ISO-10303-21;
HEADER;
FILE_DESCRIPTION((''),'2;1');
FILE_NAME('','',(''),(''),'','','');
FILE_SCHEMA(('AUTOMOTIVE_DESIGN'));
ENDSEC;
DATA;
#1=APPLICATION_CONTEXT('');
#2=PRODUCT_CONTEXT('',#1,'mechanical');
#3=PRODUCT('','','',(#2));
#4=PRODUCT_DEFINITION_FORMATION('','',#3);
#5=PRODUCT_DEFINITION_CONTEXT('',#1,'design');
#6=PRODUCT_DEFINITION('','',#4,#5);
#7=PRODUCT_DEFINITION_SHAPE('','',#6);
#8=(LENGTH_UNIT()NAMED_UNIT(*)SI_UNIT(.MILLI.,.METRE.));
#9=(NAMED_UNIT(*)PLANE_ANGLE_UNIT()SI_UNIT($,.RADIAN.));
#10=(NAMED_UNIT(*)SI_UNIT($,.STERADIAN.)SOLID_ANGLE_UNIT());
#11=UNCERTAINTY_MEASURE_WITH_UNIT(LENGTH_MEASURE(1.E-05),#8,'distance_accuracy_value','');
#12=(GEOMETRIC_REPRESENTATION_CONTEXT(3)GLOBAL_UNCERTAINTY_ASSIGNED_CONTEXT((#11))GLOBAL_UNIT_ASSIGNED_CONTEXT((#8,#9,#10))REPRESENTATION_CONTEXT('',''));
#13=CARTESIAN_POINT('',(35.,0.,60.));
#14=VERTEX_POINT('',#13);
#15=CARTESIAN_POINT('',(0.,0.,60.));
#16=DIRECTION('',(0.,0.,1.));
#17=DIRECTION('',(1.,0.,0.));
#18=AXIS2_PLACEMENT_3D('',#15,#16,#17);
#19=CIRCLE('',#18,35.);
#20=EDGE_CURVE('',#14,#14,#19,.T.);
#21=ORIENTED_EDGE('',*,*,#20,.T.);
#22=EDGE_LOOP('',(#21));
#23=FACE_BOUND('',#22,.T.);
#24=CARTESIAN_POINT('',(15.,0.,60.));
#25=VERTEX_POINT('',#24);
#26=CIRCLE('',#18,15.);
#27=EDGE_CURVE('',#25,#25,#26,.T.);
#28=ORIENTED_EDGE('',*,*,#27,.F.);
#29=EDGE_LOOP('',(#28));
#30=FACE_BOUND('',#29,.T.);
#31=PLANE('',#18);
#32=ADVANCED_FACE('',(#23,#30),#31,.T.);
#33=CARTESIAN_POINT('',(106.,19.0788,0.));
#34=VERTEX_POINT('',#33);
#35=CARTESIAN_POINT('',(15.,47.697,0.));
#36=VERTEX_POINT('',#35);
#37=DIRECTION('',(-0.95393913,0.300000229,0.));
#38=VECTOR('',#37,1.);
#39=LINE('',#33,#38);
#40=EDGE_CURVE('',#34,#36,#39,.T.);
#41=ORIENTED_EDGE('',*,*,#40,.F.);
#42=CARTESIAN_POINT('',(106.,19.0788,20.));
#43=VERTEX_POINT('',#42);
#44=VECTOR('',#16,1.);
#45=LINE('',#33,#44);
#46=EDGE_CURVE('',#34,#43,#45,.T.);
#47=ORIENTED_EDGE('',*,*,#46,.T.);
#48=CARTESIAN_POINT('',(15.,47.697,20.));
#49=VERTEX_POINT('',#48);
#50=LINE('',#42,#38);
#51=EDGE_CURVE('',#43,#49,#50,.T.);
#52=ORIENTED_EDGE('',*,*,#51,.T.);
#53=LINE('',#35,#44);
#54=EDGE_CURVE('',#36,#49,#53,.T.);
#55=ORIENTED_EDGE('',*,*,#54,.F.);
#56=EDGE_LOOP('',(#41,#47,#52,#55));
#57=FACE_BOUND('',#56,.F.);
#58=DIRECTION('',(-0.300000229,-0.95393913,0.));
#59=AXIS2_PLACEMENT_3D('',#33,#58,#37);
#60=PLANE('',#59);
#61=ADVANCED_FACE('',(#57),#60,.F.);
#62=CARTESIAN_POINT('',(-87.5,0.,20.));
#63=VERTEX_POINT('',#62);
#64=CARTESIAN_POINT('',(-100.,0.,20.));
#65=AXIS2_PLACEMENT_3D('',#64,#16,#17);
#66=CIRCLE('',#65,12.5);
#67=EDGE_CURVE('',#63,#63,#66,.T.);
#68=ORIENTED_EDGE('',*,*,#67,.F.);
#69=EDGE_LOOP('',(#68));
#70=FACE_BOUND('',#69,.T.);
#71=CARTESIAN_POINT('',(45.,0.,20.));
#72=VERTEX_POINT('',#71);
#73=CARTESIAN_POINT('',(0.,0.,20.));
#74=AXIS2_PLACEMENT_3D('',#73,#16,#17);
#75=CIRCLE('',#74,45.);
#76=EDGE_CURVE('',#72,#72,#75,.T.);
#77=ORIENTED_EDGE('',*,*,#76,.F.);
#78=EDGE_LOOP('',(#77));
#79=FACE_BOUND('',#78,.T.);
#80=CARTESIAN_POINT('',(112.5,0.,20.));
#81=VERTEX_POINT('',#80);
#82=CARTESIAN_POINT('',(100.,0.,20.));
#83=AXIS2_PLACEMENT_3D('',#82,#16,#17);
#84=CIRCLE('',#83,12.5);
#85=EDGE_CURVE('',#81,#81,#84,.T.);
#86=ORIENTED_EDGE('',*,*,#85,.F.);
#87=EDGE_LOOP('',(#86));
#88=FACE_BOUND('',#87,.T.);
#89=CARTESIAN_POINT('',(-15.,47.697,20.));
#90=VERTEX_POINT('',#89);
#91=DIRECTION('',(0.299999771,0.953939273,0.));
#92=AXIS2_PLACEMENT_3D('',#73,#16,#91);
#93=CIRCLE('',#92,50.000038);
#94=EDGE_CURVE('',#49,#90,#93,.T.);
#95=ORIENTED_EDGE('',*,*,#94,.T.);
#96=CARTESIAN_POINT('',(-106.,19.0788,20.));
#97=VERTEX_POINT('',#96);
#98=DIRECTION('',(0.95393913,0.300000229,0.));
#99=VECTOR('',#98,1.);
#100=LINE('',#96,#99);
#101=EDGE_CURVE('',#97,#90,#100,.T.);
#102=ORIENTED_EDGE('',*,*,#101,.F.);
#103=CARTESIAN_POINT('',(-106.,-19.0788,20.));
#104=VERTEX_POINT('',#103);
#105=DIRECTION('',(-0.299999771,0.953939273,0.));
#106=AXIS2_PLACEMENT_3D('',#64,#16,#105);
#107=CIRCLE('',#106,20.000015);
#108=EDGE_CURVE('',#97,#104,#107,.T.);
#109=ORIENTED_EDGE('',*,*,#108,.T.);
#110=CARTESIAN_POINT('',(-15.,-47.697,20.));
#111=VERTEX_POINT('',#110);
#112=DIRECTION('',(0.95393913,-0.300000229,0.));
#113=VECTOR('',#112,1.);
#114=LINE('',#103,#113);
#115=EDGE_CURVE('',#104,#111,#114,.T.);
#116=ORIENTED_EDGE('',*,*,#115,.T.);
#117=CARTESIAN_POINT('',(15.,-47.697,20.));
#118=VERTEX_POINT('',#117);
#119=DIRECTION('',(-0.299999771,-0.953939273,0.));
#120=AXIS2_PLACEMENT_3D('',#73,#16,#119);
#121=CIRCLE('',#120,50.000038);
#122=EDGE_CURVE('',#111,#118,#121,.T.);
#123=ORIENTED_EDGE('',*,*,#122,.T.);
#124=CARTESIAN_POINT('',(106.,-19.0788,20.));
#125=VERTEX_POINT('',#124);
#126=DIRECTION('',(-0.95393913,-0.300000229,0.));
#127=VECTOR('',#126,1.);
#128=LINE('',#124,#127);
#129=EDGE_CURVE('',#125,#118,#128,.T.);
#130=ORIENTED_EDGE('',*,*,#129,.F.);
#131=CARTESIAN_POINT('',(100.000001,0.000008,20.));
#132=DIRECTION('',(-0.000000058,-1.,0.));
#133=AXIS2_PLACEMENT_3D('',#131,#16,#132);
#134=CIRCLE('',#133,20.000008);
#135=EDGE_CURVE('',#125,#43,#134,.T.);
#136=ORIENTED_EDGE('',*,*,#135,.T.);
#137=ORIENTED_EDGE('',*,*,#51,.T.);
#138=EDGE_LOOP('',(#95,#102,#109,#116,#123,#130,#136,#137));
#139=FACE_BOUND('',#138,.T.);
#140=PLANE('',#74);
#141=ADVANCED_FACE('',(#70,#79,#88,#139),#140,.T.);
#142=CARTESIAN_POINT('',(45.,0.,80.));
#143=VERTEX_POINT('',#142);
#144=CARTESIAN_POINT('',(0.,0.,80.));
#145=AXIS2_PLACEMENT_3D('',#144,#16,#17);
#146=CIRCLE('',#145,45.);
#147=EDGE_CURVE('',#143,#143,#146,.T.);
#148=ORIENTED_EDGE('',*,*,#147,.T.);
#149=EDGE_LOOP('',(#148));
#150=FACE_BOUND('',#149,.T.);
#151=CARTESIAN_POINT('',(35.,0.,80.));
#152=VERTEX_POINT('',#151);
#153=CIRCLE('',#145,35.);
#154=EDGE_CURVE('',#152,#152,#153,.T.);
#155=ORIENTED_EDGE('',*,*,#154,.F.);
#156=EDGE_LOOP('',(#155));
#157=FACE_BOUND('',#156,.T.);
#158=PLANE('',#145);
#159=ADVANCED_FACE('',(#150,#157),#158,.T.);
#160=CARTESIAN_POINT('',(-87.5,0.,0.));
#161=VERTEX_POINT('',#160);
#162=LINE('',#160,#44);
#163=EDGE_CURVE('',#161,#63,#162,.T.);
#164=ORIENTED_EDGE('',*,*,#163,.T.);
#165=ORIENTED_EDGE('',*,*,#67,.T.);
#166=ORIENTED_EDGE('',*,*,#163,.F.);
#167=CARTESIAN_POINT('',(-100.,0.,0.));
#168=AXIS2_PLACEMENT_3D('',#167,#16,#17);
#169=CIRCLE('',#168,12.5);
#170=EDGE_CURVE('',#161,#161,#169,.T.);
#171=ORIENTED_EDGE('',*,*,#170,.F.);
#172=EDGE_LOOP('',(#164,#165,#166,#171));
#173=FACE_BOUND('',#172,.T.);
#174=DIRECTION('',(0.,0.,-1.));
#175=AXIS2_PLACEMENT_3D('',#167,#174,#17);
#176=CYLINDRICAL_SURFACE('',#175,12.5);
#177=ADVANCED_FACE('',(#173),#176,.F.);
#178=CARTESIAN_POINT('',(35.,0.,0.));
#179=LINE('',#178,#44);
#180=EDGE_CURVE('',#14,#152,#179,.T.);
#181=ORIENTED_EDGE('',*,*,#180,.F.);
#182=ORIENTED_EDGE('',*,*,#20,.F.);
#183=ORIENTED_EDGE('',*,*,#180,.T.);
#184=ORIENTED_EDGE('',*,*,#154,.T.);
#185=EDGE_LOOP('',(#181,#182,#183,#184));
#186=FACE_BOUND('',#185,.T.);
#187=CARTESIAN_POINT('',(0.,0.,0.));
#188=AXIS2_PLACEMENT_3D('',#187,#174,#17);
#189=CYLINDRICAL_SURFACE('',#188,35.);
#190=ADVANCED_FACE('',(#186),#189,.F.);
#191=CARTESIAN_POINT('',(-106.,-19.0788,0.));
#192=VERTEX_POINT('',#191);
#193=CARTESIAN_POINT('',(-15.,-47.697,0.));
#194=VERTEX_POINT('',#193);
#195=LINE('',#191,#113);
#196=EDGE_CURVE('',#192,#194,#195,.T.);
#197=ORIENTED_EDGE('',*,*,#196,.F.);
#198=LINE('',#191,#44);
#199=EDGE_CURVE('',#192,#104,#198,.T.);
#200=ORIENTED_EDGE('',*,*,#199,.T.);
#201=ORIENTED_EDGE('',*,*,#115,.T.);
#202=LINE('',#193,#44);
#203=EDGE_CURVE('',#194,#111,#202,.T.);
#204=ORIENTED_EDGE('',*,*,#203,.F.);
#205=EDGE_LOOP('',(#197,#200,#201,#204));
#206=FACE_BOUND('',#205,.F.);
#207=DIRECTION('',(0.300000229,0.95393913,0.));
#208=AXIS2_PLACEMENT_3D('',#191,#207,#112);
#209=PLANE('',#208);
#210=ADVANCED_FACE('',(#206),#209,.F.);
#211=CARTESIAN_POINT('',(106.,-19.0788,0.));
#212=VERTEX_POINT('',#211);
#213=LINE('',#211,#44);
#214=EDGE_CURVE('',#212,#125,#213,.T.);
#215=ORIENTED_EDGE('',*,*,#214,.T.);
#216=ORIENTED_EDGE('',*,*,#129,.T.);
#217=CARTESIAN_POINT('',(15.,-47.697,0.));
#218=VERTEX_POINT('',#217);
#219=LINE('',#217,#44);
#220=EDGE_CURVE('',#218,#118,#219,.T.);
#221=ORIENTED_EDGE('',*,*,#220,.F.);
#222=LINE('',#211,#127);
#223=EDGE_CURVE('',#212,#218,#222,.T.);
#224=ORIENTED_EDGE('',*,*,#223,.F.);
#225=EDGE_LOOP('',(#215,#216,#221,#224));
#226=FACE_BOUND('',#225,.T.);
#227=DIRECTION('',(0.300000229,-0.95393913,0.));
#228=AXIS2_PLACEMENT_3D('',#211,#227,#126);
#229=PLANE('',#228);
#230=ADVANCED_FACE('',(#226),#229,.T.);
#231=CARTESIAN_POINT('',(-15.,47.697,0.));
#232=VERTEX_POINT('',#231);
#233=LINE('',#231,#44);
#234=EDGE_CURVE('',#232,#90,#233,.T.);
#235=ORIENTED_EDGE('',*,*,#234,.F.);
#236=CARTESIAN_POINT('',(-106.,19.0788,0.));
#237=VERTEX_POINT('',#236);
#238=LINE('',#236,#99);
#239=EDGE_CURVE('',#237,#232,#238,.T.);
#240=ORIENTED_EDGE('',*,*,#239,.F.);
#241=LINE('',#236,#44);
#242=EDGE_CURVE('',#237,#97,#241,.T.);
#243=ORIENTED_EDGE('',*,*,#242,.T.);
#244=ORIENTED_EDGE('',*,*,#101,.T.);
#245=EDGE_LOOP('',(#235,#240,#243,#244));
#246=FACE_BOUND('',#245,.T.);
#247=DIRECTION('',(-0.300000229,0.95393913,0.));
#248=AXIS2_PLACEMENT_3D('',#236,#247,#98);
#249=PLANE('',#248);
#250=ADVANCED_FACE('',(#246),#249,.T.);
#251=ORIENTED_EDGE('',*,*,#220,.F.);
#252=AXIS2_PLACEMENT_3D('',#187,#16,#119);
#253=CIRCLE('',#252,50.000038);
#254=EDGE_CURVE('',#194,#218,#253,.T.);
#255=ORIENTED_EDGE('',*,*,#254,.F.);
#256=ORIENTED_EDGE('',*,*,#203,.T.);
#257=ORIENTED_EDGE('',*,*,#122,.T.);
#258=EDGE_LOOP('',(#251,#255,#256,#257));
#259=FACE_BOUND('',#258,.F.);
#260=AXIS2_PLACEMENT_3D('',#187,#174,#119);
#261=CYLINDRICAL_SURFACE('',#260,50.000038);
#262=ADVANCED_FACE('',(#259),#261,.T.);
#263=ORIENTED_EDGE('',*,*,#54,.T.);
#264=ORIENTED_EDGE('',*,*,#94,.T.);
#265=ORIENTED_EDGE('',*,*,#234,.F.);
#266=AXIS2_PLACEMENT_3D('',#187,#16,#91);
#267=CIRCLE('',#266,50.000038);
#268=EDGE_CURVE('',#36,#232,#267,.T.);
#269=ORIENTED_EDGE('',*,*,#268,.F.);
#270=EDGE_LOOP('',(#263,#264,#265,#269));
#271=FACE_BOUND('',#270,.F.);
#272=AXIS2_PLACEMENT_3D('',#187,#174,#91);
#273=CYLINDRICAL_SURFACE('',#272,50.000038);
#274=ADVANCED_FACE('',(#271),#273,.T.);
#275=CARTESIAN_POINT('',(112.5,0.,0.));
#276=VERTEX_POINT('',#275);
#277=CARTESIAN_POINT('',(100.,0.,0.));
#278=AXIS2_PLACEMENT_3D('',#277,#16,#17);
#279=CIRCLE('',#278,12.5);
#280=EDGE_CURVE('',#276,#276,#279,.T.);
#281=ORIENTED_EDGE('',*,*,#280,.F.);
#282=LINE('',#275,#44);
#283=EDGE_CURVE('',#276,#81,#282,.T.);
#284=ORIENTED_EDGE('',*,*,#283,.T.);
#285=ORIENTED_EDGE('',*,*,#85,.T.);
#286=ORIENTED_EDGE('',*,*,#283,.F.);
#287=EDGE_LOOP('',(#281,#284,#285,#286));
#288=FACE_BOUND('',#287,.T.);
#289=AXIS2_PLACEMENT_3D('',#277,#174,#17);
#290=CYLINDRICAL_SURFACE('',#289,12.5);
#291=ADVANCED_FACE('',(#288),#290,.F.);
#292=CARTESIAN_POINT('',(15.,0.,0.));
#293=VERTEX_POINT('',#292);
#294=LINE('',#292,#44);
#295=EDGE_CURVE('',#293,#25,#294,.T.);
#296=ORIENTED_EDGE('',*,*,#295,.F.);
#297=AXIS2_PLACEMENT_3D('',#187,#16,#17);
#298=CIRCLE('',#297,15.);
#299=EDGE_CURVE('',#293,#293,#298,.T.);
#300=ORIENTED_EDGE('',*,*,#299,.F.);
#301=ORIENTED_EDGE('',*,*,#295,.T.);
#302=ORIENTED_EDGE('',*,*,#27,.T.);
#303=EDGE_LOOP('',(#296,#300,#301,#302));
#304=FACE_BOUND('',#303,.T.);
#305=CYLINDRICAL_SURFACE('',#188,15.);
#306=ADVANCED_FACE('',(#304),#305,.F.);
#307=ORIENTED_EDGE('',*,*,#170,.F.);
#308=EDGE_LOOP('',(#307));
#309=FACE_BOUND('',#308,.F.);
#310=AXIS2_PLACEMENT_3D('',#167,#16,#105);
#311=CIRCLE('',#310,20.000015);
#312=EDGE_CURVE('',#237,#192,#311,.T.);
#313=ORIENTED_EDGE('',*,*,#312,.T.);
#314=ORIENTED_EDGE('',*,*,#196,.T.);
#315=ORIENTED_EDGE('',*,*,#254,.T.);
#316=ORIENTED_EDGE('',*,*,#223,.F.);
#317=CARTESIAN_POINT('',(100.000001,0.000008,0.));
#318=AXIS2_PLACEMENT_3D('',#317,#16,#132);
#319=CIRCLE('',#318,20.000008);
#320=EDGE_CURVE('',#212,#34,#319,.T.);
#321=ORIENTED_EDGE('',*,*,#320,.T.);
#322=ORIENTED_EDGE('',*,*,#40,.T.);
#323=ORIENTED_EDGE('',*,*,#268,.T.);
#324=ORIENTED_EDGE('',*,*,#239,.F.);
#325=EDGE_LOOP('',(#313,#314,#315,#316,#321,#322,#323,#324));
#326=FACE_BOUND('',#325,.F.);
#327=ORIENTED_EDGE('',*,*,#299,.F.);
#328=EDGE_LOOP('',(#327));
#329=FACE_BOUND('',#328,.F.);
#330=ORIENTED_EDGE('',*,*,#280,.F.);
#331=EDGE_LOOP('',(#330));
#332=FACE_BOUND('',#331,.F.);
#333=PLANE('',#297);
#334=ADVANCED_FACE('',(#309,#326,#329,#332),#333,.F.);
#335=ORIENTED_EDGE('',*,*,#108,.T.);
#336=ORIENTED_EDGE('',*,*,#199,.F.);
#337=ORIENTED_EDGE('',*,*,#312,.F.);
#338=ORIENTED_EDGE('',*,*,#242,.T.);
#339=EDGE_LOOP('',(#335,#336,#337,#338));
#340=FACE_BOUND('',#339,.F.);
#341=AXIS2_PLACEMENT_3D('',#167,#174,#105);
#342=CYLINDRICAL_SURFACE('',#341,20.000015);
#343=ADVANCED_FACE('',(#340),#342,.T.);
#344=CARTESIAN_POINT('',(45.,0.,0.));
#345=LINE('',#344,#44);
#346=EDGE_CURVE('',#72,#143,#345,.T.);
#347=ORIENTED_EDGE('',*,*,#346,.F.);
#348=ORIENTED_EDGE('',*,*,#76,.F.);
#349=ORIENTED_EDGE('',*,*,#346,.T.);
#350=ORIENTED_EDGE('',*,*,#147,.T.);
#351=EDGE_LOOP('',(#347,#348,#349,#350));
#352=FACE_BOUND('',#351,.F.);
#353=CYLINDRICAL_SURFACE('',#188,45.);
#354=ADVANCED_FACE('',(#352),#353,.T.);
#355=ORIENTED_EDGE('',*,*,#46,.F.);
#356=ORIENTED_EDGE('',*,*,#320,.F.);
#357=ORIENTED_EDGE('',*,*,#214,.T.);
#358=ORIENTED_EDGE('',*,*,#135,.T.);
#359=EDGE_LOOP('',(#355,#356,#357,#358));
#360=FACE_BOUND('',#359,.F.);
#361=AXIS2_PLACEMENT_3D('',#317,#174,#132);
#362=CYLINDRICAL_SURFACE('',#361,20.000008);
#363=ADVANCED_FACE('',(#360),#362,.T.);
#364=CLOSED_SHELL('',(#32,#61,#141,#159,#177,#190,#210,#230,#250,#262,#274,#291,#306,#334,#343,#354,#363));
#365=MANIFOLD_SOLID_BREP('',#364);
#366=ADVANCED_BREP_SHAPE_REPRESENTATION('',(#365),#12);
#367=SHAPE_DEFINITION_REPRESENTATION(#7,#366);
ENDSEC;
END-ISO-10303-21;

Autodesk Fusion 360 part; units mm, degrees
sketch "Sketch1" plane through (0, 0, 0) normal (0, 0, 1) x (1, 0, 0)
  circle A0 centre (0, 0) radius 15
  circle A1 centre (0, 0) radius 35
  circle A2 centre (0, 0) radius 45
  line L0 (-100, -20.9657) -> (-100, -80.0578) construction
  circle A3 centre (-100, 0) radius 12.5
  circle A4 centre (100, 0) radius 12.5
  line L1 (-106, 19.0788) -> (-15, 47.697)
  arc A5 (-106, 19.0788) -> (-106, -19.0788) centre (-100, 0) ccw
  line L2 (-106, -19.0788) -> (-15, -47.697)
  line L3 (106, 19.0788) -> (15, 47.697)
  line L4 (106, -19.0788) -> (15, -47.697)
  arc A6 (-15, -47.697) -> (15, -47.697) centre (0, 0) ccw
  arc A7 (15, 47.697) -> (-15, 47.697) centre (0, 0) ccw
  line L5 (100, -15) -> (100, -80.0578) construction
  line L6 (-100, 50) -> (-100, 80.9539) construction
  arc A8 (100, -20) -> (106, 19.0788) centre (100, 0) ccw
  dimension "d1" = 30
  dimension "d2" = 70
  dimension "d3" = 90
  dimension "d4" = 100
  dimension "d7" = 25
  dimension "d8" = 40
extrude "Extrude1" add sketch "Sketch1" along normal blind 20 contours L1 A5 L2 L3 L4 A6 A7 A8
extrude "Extrude2" add sketch "Sketch1" along normal blind 80 contours A2
extrude "Extrude3" add sketch "Sketch1" along normal blind 60 contours A1
